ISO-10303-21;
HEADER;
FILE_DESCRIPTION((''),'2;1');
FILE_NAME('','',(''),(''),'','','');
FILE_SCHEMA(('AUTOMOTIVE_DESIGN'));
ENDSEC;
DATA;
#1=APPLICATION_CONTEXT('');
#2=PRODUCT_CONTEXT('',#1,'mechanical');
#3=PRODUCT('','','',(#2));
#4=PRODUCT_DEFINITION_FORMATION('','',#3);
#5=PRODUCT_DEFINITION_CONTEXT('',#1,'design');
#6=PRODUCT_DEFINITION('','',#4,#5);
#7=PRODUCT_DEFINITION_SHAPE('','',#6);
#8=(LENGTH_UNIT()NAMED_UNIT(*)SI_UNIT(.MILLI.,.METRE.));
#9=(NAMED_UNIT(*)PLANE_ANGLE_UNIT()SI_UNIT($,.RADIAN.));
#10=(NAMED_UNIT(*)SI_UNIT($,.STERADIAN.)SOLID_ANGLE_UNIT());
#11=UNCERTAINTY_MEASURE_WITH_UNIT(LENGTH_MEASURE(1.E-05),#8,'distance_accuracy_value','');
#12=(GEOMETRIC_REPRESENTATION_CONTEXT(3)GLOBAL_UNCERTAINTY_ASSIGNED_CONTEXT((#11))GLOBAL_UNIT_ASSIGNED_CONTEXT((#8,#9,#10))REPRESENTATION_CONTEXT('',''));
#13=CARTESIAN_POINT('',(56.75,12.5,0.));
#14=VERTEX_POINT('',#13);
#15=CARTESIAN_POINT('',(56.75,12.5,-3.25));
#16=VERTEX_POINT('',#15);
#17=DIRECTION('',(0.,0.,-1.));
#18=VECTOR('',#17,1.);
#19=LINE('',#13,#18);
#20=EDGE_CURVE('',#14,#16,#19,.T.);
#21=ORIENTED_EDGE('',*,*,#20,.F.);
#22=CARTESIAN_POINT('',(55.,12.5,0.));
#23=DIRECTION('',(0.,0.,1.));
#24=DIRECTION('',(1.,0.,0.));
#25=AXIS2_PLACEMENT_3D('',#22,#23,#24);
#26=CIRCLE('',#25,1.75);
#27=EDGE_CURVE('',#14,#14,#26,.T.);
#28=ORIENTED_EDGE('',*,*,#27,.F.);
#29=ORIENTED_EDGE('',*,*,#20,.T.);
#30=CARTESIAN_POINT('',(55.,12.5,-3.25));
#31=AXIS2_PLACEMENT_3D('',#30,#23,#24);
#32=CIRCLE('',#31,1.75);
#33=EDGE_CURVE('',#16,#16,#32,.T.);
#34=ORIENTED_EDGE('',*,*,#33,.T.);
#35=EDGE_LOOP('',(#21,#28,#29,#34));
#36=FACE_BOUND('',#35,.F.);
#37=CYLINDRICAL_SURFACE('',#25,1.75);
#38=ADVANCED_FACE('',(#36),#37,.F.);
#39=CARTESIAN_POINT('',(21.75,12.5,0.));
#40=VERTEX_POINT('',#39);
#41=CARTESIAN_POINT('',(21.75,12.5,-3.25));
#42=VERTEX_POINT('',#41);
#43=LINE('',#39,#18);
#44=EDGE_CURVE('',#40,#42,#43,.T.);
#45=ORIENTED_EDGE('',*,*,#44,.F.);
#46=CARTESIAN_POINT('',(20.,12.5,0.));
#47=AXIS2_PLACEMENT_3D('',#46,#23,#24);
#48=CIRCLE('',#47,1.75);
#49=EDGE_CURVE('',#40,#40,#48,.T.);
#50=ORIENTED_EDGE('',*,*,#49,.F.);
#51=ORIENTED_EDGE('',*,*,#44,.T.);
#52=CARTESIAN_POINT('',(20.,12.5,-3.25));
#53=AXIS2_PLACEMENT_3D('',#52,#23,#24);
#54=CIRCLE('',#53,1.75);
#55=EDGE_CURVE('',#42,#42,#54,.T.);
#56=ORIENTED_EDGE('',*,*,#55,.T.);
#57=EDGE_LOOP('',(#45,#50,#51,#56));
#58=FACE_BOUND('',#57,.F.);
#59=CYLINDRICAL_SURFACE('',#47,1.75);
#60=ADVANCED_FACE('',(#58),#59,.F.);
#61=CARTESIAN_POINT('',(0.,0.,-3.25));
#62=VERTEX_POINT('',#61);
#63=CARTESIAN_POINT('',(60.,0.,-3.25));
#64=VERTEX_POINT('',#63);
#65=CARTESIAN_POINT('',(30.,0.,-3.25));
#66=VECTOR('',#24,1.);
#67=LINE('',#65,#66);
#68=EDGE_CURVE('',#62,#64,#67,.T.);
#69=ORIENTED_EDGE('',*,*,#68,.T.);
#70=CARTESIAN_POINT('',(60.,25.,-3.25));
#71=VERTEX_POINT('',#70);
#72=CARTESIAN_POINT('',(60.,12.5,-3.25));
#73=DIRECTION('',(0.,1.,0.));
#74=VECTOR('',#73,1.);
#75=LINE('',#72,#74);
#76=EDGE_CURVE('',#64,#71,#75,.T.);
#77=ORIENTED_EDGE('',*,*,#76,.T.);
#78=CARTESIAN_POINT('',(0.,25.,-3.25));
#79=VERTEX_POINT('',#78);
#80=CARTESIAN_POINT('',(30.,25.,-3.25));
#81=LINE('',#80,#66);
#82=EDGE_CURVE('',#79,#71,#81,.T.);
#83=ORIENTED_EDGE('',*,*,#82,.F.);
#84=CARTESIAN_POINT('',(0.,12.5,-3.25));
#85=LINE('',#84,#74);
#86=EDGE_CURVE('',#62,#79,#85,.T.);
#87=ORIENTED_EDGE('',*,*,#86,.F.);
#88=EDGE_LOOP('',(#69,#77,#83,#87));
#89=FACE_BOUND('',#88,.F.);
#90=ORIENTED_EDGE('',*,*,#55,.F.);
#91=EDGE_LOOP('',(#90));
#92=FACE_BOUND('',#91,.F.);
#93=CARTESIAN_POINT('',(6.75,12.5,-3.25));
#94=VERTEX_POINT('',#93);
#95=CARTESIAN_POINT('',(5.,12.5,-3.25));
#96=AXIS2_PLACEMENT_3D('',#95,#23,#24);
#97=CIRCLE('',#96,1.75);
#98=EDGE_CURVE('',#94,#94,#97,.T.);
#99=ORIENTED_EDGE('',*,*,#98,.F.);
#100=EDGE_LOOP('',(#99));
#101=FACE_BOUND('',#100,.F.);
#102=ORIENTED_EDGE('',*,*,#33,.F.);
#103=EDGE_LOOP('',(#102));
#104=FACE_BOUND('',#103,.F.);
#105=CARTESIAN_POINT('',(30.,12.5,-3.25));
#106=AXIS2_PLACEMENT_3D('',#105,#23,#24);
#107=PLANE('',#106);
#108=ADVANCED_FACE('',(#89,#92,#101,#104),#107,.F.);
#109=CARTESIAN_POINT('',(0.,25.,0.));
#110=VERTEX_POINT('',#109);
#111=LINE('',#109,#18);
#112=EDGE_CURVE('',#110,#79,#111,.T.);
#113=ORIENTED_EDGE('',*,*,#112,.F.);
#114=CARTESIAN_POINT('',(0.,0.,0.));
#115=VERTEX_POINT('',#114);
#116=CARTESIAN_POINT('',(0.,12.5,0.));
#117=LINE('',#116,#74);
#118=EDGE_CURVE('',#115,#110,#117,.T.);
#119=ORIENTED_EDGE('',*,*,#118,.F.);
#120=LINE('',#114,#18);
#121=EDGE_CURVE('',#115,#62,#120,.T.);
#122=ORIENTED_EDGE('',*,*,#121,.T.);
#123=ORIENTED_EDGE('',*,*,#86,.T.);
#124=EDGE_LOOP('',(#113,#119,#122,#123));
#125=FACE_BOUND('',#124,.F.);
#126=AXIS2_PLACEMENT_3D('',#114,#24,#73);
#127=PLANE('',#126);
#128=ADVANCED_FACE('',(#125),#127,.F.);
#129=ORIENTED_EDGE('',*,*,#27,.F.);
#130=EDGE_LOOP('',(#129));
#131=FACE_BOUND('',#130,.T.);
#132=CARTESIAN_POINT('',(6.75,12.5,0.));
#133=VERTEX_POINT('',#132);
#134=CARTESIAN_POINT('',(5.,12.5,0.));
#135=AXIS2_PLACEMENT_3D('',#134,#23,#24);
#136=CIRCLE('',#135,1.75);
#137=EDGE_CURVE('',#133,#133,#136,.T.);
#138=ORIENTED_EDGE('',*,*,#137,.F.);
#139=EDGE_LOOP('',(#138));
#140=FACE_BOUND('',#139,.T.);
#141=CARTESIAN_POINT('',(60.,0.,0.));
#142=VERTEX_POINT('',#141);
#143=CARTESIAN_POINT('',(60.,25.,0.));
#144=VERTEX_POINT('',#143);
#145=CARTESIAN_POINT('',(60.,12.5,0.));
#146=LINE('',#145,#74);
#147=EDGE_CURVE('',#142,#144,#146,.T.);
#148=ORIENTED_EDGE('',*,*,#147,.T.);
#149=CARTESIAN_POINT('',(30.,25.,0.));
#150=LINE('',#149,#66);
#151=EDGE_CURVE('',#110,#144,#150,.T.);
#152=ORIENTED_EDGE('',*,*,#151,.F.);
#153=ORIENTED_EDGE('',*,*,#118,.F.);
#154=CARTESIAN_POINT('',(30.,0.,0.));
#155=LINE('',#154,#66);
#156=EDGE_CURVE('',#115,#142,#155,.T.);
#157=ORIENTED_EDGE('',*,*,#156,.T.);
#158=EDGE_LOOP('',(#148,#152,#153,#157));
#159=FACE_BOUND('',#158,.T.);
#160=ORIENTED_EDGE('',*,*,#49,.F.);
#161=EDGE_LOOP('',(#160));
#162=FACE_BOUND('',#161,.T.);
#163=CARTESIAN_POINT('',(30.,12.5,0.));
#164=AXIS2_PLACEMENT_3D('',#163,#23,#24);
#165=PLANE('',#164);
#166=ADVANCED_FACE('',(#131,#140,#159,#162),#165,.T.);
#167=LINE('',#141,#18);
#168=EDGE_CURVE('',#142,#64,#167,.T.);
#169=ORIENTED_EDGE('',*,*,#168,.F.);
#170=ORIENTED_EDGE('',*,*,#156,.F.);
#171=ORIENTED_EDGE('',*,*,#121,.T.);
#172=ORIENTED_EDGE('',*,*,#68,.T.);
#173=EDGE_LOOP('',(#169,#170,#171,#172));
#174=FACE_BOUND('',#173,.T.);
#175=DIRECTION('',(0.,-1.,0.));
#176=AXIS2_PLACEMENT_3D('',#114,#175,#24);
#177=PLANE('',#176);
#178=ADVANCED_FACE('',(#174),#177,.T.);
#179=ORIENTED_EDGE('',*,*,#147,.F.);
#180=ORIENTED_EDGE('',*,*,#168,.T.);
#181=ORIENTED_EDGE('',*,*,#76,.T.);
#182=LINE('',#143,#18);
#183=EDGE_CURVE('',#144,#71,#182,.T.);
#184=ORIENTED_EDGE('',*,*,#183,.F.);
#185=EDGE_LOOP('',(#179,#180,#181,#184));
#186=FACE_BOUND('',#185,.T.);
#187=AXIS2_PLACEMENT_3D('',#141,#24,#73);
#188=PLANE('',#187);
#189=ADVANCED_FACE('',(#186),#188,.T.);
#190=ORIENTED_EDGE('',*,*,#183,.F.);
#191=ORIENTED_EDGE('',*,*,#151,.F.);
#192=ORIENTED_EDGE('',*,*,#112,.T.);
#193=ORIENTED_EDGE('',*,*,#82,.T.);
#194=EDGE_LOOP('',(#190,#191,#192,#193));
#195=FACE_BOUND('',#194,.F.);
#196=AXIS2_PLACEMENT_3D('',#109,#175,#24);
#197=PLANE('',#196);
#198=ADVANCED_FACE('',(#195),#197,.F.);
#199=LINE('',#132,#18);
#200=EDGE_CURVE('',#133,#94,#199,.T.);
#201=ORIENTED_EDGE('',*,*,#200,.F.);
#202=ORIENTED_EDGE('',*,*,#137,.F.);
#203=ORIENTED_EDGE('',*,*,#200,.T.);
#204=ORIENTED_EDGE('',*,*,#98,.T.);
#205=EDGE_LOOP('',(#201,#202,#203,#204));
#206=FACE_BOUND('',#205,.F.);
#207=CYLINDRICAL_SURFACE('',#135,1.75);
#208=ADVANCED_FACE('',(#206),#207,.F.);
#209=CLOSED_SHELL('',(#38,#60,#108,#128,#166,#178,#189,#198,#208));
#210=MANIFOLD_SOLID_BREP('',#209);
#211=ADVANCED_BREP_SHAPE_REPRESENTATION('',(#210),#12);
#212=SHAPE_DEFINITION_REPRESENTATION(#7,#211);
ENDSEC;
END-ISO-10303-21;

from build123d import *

# Parameters (mm, degrees)
F0_W     = 60
F0_H     = 25
F0_R     = 1.75
F1_DEPTH = 3.25


with BuildPart() as f1:
    # F0 (on Top) → F1 (new body)
    with BuildSketch(Plane.XY):
        with Locations((30, 12.5)):
            Rectangle(F0_W, F0_H)
        with Locations((5, 12.5)):
            Circle(F0_R, mode=Mode.SUBTRACT)
        with Locations((20, 12.5)):
            Circle(F0_R, mode=Mode.SUBTRACT)
        with Locations((55, 12.5)):
            Circle(F0_R, mode=Mode.SUBTRACT)
    extrude(amount=-F1_DEPTH)


solid = f1.part
